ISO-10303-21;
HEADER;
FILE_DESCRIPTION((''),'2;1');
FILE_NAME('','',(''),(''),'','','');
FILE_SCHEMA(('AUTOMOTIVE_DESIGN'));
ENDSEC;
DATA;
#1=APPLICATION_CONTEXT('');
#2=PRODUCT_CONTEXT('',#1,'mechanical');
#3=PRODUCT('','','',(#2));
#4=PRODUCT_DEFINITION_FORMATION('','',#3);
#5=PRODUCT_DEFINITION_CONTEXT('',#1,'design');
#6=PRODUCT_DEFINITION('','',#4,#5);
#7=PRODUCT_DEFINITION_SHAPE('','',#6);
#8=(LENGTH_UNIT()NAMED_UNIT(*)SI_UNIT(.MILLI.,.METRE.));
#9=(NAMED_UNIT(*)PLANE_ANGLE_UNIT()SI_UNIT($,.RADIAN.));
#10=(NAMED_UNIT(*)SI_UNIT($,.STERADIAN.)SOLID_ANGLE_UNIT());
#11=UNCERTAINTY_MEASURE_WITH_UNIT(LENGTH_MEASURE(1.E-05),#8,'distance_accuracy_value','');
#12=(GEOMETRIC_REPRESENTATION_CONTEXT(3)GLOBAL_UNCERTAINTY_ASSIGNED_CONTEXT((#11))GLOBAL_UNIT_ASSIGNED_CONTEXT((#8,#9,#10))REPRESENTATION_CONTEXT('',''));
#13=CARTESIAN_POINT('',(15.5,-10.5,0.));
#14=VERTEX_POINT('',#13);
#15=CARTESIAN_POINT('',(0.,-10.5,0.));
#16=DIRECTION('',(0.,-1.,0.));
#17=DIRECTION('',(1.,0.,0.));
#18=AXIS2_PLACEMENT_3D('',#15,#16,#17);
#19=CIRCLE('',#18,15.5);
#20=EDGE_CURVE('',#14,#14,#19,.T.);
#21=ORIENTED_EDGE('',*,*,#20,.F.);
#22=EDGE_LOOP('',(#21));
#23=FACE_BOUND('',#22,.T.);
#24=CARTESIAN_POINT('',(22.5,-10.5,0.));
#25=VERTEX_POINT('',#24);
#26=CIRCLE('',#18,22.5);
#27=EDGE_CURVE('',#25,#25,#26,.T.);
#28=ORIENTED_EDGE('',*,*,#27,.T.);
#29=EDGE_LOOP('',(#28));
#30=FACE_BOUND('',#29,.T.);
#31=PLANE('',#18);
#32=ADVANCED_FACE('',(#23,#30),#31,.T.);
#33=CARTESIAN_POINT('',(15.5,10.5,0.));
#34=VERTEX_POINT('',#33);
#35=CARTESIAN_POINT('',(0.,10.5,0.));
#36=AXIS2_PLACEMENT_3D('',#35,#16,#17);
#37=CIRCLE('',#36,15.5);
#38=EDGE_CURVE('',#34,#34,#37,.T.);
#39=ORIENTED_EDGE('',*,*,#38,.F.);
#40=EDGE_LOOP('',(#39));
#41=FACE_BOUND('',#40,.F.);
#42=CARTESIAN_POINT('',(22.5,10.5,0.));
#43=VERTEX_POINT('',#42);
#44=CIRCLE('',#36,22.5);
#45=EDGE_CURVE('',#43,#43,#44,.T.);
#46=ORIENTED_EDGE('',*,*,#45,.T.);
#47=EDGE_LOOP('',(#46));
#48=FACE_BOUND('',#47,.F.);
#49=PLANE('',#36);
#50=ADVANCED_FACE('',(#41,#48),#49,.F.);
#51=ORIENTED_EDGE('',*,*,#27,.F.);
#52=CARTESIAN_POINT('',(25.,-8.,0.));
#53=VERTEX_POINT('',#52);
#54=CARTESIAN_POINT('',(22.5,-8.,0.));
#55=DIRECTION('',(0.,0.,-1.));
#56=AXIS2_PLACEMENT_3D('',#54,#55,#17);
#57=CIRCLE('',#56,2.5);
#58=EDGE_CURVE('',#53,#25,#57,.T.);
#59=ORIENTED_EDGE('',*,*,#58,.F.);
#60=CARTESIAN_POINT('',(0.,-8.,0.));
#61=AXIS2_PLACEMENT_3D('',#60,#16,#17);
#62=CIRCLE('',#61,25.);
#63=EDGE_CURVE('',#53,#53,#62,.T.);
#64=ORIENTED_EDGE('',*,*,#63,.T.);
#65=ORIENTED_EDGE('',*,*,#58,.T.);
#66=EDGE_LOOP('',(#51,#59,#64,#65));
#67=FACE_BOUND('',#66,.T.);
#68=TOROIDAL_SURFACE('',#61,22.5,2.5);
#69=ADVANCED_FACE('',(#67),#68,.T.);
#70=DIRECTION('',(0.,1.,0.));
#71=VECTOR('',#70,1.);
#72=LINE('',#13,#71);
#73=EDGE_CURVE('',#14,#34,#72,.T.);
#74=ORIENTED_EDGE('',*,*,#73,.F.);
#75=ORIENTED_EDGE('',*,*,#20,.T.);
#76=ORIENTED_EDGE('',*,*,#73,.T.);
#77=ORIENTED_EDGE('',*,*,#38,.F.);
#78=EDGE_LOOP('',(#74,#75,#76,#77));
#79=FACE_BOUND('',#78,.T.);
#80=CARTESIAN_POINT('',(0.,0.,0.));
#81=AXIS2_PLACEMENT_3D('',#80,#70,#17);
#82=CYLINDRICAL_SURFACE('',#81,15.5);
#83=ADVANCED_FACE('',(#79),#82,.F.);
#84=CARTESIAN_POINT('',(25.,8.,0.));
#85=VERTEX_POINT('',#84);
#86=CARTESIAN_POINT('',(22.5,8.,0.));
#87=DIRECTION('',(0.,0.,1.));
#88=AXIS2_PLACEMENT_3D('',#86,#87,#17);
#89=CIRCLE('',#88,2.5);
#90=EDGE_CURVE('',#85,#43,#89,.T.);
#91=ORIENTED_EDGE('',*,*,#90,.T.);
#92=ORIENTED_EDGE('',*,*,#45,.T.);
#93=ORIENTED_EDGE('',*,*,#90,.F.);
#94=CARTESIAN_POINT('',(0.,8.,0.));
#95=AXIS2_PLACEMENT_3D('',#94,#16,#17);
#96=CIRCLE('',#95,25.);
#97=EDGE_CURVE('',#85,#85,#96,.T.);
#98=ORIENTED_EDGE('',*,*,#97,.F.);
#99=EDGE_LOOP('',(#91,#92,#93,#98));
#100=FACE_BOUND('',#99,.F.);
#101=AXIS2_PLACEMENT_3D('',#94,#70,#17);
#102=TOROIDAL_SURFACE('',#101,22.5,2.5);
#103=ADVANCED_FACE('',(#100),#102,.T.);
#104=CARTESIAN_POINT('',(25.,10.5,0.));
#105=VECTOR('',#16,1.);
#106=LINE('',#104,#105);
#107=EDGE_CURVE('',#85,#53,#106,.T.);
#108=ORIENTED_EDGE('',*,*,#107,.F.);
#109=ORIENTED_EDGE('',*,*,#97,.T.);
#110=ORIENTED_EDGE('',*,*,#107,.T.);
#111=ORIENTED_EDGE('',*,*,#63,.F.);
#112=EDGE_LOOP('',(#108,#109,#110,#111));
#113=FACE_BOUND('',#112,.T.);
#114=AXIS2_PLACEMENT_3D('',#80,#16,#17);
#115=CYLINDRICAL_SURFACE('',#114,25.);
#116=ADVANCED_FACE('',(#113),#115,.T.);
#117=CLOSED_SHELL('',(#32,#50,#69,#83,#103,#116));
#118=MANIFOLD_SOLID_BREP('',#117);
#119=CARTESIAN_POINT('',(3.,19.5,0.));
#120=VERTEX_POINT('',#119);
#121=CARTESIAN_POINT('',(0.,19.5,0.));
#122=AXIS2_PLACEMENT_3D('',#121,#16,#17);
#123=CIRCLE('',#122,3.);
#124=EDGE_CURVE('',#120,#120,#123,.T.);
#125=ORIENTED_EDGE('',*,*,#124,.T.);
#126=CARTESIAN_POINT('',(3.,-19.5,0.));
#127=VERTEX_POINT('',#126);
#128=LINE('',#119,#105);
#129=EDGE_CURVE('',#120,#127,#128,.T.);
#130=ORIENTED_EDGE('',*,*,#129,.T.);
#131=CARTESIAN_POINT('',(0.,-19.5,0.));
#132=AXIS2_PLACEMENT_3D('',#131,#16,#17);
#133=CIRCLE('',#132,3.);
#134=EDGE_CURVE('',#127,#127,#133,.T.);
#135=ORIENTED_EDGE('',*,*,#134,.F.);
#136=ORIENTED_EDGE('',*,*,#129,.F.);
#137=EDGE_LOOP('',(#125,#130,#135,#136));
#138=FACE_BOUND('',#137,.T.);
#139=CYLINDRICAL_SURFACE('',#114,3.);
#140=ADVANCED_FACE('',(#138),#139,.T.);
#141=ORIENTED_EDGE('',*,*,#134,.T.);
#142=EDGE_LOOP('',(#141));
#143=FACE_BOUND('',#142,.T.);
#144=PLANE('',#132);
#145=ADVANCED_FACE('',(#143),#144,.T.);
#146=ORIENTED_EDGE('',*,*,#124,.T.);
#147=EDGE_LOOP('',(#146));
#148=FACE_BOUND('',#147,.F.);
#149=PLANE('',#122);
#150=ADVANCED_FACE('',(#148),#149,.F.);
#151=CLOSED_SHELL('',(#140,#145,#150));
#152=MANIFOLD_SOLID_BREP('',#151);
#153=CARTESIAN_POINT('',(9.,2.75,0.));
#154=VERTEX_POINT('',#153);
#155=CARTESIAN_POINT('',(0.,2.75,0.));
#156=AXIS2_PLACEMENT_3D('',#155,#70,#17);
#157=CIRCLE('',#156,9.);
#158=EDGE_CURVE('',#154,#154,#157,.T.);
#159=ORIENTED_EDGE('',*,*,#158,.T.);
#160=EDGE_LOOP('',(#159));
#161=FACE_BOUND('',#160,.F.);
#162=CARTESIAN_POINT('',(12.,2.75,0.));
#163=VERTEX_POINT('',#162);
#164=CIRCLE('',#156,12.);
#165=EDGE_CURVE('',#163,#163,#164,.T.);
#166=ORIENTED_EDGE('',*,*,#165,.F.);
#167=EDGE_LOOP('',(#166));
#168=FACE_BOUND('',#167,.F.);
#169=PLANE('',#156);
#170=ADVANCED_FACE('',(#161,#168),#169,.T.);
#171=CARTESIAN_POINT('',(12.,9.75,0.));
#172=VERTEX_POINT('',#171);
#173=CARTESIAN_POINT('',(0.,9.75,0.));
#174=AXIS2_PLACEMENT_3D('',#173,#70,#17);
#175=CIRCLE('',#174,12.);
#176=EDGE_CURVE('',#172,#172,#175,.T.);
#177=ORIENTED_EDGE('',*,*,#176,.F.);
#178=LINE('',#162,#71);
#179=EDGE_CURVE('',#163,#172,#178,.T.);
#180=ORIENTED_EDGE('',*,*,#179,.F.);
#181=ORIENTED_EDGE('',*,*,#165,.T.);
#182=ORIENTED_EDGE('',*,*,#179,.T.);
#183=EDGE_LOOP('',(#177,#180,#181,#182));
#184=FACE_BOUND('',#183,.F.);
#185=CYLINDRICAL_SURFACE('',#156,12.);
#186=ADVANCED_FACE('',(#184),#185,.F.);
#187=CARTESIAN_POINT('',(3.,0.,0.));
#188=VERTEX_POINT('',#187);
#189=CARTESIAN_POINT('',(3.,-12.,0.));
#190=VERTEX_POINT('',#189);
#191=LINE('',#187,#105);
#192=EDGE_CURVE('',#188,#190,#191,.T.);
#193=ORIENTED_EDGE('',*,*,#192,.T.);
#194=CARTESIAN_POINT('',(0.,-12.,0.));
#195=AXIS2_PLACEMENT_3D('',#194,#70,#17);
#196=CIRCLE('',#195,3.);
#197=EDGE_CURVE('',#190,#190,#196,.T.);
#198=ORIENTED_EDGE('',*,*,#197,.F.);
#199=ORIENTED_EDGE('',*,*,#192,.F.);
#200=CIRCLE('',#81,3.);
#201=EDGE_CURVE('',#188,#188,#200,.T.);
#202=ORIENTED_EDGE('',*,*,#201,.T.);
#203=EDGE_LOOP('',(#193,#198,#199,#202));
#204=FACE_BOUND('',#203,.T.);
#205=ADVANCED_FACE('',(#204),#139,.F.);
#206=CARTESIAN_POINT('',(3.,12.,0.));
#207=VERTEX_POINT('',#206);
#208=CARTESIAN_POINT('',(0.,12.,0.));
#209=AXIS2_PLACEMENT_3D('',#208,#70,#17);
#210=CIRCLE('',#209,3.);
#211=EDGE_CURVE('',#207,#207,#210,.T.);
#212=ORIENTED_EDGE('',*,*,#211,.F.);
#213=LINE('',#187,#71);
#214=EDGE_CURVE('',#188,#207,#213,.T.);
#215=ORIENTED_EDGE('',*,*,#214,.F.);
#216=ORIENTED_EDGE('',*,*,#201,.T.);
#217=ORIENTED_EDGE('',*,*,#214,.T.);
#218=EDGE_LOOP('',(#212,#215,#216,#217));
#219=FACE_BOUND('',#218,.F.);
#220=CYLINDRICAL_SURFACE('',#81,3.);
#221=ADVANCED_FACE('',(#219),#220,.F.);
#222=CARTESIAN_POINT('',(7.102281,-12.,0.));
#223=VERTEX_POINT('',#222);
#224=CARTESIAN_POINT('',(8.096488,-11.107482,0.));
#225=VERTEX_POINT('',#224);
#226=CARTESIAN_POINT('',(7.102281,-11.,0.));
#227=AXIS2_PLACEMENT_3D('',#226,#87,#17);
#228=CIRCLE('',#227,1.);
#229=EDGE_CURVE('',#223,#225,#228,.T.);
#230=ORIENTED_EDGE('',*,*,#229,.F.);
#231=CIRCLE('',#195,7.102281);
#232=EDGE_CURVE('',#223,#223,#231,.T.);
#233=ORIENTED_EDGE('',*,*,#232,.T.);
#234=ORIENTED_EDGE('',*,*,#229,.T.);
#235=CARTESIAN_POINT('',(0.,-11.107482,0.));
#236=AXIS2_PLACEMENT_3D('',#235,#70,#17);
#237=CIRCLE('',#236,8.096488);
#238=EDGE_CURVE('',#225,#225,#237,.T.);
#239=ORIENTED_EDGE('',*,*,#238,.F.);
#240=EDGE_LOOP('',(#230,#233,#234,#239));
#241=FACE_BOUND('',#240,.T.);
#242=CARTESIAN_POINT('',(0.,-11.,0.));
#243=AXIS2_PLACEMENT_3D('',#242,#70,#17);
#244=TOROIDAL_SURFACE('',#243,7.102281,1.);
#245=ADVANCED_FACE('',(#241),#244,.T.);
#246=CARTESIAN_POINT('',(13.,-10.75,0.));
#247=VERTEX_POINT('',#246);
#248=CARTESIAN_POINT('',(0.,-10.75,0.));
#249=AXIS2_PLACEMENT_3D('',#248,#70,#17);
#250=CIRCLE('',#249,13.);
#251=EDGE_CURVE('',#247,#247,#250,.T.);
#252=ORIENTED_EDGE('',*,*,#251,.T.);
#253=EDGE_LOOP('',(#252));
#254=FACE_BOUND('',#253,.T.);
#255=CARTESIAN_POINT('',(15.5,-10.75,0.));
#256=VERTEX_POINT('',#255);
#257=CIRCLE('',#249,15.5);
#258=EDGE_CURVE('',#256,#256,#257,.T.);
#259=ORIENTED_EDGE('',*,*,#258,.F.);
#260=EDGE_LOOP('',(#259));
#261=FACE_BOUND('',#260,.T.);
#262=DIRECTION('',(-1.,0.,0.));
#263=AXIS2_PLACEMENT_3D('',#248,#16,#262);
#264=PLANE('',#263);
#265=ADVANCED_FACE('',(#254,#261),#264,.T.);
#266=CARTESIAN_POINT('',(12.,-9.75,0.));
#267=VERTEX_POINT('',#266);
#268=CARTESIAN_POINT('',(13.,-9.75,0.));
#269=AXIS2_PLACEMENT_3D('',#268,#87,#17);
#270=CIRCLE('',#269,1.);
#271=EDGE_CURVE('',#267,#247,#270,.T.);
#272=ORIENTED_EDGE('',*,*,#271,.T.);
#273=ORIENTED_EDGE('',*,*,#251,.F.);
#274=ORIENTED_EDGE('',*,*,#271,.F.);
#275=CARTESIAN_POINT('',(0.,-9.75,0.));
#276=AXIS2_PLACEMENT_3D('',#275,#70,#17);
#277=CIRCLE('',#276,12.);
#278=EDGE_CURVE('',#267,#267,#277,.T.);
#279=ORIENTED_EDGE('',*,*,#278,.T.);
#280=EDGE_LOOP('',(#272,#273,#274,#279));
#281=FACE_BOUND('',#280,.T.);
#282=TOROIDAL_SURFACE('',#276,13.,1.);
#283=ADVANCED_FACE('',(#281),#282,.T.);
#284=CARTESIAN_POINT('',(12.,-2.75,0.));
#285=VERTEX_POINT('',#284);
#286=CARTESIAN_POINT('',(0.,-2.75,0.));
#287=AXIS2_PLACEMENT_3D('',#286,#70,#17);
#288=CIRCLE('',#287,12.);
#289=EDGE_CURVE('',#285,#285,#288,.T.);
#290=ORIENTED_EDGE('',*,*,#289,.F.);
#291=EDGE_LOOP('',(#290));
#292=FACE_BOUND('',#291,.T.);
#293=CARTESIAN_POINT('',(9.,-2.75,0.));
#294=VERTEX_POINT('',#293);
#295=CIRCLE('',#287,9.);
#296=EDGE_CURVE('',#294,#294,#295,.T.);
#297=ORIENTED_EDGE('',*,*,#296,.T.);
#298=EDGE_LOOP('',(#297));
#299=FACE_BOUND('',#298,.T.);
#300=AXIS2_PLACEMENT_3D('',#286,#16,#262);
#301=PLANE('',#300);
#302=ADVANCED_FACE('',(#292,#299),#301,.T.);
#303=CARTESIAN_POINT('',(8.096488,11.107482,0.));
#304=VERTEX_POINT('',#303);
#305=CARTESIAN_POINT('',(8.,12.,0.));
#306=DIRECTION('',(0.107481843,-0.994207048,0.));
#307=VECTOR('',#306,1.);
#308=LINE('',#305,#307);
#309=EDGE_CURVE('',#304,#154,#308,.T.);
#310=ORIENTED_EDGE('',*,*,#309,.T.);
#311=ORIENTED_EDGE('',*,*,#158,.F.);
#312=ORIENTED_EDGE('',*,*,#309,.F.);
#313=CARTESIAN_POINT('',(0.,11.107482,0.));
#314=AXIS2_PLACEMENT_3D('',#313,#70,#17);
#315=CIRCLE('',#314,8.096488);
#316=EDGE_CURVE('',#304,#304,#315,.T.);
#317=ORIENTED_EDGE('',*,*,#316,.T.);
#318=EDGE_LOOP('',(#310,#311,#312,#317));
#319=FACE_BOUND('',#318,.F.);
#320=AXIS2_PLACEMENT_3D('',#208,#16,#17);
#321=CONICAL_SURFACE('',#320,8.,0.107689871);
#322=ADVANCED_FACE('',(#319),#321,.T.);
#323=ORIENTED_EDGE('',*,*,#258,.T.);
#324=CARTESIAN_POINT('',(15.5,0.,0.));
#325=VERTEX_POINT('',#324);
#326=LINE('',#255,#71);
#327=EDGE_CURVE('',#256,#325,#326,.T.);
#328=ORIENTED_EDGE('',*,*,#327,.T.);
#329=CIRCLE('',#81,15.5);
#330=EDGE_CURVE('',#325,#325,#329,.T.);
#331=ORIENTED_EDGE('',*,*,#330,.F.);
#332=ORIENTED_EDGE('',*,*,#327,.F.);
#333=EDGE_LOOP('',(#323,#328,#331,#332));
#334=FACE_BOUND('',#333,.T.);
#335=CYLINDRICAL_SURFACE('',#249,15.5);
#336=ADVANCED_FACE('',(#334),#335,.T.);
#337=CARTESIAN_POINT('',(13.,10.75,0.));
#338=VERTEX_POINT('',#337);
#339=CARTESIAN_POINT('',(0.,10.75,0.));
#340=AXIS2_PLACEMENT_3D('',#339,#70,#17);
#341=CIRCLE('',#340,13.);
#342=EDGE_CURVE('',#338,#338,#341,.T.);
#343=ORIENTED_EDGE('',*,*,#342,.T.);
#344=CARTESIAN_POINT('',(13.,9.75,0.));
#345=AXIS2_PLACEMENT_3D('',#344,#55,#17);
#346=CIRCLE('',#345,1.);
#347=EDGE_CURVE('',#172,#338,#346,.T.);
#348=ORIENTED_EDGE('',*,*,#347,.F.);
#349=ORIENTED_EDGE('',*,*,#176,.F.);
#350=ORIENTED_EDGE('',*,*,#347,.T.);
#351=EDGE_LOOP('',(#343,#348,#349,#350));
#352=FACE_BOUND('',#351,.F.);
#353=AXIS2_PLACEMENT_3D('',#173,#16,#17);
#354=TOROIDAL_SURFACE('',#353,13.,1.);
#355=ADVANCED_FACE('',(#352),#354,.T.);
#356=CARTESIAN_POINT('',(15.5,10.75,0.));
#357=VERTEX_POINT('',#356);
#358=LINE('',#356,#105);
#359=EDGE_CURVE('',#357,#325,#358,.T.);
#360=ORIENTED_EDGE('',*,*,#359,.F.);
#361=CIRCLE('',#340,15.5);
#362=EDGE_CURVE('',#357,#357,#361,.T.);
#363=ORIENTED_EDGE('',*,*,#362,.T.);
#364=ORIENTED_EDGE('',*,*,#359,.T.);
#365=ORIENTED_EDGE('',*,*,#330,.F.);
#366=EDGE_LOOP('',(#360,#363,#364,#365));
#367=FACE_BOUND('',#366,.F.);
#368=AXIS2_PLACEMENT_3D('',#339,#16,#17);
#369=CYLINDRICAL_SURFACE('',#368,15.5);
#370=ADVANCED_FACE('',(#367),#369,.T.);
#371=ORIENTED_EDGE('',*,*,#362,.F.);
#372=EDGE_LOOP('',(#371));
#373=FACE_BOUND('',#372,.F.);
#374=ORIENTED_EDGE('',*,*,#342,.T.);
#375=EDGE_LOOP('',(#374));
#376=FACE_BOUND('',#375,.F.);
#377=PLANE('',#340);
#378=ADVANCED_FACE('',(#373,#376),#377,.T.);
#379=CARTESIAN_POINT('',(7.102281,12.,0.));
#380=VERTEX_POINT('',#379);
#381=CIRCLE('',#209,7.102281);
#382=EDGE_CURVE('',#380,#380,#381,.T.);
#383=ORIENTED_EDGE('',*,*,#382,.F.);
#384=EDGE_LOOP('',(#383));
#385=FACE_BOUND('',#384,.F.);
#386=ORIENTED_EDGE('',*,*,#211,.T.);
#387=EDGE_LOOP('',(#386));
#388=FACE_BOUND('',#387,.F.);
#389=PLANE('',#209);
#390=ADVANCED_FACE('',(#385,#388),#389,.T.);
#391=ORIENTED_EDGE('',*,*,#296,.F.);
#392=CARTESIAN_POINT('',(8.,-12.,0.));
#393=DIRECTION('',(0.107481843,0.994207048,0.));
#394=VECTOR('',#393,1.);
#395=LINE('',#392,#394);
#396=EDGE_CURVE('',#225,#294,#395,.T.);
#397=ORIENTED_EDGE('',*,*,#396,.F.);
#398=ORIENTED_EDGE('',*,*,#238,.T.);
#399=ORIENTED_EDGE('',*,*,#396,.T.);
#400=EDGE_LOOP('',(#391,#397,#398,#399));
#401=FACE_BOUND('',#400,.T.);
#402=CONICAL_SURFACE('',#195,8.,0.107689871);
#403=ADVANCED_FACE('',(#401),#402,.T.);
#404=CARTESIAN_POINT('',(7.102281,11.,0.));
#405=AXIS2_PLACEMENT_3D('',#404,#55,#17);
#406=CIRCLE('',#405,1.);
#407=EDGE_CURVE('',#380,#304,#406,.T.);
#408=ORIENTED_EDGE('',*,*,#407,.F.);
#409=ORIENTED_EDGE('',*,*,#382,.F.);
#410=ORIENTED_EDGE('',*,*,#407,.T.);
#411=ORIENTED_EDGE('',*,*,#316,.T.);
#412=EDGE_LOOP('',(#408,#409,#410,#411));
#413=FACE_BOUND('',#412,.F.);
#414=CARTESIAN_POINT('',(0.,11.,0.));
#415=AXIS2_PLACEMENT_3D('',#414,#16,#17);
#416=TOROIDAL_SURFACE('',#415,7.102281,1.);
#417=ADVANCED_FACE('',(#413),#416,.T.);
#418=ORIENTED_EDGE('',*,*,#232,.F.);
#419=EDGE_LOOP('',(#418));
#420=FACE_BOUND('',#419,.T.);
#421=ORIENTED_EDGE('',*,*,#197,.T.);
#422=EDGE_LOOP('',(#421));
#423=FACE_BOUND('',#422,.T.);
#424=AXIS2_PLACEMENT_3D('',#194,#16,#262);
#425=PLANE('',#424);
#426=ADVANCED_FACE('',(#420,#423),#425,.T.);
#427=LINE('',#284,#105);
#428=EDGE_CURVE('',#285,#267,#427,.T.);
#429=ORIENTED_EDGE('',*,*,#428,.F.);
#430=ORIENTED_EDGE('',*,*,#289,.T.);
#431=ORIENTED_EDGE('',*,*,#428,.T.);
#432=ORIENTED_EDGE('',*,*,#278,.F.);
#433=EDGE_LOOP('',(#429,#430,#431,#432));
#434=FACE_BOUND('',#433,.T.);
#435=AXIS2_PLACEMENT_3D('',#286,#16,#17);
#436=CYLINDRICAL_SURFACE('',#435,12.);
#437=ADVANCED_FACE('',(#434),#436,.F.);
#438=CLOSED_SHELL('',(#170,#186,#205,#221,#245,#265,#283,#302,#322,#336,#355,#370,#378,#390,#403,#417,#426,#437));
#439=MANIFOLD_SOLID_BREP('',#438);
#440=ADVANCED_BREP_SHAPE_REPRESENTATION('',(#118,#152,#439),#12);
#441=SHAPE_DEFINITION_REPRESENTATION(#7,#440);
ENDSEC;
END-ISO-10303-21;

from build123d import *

# Parameters (mm, degrees)
FILLET_R      = 1
SKETCH001_R   = 25
SKETCH001_R_2 = 15.5
PAD_DEPTH     = 10.5
FILLET001_R   = 2.5
SKETCH002_R   = 3
PAD001_DEPTH  = 19.5


with BuildPart() as pelk:
    # Sketch → Revolution (revolve)
    with BuildSketch(Plane.XY):
        Polygon((3, 0), (3, 12), (8, 12), (9, 2.75), (12, 2.75), (12, 10.75), (15.5, 10.75), (15.5, 0), align=None)
    revolution = revolve(axis=Axis((0, 0, 0), (0, 1, 0)))

    # Mirrored: Revolution across XZ
    add(revolution.mirror(Plane.XZ))

    # Fillet
    fillet_edges = [pelk.edges().sort_by_distance(p)[0] for p in [
        (-8, -12, 0),
        (-12, -10.75, 0),
        (-12, 10.75, 0),
        (-8, 12, 0),
    ]]
    fillet(fillet_edges, radius=FILLET_R)


with BuildPart() as rubber:
    # Sketch001 → Pad (new body, symmetric)
    with BuildSketch(Plane.XZ):
        Circle(SKETCH001_R)
        Circle(SKETCH001_R_2, mode=Mode.SUBTRACT)
    extrude(amount=PAD_DEPTH, both=True)

    # Fillet001
    fillet001_edges = [rubber.edges().sort_by_distance(p)[0] for p in [
        (-25, 10.5, 0),
        (-25, -10.5, 0),
    ]]
    fillet(fillet001_edges, radius=FILLET001_R)


with BuildPart() as body002:
    # Sketch002 → Pad001 (new body, symmetric)
    with BuildSketch(Plane.XZ):
        Circle(SKETCH002_R)
    extrude(amount=PAD001_DEPTH, both=True)


solid = Compound([pelk.part, rubber.part, body002.part])
